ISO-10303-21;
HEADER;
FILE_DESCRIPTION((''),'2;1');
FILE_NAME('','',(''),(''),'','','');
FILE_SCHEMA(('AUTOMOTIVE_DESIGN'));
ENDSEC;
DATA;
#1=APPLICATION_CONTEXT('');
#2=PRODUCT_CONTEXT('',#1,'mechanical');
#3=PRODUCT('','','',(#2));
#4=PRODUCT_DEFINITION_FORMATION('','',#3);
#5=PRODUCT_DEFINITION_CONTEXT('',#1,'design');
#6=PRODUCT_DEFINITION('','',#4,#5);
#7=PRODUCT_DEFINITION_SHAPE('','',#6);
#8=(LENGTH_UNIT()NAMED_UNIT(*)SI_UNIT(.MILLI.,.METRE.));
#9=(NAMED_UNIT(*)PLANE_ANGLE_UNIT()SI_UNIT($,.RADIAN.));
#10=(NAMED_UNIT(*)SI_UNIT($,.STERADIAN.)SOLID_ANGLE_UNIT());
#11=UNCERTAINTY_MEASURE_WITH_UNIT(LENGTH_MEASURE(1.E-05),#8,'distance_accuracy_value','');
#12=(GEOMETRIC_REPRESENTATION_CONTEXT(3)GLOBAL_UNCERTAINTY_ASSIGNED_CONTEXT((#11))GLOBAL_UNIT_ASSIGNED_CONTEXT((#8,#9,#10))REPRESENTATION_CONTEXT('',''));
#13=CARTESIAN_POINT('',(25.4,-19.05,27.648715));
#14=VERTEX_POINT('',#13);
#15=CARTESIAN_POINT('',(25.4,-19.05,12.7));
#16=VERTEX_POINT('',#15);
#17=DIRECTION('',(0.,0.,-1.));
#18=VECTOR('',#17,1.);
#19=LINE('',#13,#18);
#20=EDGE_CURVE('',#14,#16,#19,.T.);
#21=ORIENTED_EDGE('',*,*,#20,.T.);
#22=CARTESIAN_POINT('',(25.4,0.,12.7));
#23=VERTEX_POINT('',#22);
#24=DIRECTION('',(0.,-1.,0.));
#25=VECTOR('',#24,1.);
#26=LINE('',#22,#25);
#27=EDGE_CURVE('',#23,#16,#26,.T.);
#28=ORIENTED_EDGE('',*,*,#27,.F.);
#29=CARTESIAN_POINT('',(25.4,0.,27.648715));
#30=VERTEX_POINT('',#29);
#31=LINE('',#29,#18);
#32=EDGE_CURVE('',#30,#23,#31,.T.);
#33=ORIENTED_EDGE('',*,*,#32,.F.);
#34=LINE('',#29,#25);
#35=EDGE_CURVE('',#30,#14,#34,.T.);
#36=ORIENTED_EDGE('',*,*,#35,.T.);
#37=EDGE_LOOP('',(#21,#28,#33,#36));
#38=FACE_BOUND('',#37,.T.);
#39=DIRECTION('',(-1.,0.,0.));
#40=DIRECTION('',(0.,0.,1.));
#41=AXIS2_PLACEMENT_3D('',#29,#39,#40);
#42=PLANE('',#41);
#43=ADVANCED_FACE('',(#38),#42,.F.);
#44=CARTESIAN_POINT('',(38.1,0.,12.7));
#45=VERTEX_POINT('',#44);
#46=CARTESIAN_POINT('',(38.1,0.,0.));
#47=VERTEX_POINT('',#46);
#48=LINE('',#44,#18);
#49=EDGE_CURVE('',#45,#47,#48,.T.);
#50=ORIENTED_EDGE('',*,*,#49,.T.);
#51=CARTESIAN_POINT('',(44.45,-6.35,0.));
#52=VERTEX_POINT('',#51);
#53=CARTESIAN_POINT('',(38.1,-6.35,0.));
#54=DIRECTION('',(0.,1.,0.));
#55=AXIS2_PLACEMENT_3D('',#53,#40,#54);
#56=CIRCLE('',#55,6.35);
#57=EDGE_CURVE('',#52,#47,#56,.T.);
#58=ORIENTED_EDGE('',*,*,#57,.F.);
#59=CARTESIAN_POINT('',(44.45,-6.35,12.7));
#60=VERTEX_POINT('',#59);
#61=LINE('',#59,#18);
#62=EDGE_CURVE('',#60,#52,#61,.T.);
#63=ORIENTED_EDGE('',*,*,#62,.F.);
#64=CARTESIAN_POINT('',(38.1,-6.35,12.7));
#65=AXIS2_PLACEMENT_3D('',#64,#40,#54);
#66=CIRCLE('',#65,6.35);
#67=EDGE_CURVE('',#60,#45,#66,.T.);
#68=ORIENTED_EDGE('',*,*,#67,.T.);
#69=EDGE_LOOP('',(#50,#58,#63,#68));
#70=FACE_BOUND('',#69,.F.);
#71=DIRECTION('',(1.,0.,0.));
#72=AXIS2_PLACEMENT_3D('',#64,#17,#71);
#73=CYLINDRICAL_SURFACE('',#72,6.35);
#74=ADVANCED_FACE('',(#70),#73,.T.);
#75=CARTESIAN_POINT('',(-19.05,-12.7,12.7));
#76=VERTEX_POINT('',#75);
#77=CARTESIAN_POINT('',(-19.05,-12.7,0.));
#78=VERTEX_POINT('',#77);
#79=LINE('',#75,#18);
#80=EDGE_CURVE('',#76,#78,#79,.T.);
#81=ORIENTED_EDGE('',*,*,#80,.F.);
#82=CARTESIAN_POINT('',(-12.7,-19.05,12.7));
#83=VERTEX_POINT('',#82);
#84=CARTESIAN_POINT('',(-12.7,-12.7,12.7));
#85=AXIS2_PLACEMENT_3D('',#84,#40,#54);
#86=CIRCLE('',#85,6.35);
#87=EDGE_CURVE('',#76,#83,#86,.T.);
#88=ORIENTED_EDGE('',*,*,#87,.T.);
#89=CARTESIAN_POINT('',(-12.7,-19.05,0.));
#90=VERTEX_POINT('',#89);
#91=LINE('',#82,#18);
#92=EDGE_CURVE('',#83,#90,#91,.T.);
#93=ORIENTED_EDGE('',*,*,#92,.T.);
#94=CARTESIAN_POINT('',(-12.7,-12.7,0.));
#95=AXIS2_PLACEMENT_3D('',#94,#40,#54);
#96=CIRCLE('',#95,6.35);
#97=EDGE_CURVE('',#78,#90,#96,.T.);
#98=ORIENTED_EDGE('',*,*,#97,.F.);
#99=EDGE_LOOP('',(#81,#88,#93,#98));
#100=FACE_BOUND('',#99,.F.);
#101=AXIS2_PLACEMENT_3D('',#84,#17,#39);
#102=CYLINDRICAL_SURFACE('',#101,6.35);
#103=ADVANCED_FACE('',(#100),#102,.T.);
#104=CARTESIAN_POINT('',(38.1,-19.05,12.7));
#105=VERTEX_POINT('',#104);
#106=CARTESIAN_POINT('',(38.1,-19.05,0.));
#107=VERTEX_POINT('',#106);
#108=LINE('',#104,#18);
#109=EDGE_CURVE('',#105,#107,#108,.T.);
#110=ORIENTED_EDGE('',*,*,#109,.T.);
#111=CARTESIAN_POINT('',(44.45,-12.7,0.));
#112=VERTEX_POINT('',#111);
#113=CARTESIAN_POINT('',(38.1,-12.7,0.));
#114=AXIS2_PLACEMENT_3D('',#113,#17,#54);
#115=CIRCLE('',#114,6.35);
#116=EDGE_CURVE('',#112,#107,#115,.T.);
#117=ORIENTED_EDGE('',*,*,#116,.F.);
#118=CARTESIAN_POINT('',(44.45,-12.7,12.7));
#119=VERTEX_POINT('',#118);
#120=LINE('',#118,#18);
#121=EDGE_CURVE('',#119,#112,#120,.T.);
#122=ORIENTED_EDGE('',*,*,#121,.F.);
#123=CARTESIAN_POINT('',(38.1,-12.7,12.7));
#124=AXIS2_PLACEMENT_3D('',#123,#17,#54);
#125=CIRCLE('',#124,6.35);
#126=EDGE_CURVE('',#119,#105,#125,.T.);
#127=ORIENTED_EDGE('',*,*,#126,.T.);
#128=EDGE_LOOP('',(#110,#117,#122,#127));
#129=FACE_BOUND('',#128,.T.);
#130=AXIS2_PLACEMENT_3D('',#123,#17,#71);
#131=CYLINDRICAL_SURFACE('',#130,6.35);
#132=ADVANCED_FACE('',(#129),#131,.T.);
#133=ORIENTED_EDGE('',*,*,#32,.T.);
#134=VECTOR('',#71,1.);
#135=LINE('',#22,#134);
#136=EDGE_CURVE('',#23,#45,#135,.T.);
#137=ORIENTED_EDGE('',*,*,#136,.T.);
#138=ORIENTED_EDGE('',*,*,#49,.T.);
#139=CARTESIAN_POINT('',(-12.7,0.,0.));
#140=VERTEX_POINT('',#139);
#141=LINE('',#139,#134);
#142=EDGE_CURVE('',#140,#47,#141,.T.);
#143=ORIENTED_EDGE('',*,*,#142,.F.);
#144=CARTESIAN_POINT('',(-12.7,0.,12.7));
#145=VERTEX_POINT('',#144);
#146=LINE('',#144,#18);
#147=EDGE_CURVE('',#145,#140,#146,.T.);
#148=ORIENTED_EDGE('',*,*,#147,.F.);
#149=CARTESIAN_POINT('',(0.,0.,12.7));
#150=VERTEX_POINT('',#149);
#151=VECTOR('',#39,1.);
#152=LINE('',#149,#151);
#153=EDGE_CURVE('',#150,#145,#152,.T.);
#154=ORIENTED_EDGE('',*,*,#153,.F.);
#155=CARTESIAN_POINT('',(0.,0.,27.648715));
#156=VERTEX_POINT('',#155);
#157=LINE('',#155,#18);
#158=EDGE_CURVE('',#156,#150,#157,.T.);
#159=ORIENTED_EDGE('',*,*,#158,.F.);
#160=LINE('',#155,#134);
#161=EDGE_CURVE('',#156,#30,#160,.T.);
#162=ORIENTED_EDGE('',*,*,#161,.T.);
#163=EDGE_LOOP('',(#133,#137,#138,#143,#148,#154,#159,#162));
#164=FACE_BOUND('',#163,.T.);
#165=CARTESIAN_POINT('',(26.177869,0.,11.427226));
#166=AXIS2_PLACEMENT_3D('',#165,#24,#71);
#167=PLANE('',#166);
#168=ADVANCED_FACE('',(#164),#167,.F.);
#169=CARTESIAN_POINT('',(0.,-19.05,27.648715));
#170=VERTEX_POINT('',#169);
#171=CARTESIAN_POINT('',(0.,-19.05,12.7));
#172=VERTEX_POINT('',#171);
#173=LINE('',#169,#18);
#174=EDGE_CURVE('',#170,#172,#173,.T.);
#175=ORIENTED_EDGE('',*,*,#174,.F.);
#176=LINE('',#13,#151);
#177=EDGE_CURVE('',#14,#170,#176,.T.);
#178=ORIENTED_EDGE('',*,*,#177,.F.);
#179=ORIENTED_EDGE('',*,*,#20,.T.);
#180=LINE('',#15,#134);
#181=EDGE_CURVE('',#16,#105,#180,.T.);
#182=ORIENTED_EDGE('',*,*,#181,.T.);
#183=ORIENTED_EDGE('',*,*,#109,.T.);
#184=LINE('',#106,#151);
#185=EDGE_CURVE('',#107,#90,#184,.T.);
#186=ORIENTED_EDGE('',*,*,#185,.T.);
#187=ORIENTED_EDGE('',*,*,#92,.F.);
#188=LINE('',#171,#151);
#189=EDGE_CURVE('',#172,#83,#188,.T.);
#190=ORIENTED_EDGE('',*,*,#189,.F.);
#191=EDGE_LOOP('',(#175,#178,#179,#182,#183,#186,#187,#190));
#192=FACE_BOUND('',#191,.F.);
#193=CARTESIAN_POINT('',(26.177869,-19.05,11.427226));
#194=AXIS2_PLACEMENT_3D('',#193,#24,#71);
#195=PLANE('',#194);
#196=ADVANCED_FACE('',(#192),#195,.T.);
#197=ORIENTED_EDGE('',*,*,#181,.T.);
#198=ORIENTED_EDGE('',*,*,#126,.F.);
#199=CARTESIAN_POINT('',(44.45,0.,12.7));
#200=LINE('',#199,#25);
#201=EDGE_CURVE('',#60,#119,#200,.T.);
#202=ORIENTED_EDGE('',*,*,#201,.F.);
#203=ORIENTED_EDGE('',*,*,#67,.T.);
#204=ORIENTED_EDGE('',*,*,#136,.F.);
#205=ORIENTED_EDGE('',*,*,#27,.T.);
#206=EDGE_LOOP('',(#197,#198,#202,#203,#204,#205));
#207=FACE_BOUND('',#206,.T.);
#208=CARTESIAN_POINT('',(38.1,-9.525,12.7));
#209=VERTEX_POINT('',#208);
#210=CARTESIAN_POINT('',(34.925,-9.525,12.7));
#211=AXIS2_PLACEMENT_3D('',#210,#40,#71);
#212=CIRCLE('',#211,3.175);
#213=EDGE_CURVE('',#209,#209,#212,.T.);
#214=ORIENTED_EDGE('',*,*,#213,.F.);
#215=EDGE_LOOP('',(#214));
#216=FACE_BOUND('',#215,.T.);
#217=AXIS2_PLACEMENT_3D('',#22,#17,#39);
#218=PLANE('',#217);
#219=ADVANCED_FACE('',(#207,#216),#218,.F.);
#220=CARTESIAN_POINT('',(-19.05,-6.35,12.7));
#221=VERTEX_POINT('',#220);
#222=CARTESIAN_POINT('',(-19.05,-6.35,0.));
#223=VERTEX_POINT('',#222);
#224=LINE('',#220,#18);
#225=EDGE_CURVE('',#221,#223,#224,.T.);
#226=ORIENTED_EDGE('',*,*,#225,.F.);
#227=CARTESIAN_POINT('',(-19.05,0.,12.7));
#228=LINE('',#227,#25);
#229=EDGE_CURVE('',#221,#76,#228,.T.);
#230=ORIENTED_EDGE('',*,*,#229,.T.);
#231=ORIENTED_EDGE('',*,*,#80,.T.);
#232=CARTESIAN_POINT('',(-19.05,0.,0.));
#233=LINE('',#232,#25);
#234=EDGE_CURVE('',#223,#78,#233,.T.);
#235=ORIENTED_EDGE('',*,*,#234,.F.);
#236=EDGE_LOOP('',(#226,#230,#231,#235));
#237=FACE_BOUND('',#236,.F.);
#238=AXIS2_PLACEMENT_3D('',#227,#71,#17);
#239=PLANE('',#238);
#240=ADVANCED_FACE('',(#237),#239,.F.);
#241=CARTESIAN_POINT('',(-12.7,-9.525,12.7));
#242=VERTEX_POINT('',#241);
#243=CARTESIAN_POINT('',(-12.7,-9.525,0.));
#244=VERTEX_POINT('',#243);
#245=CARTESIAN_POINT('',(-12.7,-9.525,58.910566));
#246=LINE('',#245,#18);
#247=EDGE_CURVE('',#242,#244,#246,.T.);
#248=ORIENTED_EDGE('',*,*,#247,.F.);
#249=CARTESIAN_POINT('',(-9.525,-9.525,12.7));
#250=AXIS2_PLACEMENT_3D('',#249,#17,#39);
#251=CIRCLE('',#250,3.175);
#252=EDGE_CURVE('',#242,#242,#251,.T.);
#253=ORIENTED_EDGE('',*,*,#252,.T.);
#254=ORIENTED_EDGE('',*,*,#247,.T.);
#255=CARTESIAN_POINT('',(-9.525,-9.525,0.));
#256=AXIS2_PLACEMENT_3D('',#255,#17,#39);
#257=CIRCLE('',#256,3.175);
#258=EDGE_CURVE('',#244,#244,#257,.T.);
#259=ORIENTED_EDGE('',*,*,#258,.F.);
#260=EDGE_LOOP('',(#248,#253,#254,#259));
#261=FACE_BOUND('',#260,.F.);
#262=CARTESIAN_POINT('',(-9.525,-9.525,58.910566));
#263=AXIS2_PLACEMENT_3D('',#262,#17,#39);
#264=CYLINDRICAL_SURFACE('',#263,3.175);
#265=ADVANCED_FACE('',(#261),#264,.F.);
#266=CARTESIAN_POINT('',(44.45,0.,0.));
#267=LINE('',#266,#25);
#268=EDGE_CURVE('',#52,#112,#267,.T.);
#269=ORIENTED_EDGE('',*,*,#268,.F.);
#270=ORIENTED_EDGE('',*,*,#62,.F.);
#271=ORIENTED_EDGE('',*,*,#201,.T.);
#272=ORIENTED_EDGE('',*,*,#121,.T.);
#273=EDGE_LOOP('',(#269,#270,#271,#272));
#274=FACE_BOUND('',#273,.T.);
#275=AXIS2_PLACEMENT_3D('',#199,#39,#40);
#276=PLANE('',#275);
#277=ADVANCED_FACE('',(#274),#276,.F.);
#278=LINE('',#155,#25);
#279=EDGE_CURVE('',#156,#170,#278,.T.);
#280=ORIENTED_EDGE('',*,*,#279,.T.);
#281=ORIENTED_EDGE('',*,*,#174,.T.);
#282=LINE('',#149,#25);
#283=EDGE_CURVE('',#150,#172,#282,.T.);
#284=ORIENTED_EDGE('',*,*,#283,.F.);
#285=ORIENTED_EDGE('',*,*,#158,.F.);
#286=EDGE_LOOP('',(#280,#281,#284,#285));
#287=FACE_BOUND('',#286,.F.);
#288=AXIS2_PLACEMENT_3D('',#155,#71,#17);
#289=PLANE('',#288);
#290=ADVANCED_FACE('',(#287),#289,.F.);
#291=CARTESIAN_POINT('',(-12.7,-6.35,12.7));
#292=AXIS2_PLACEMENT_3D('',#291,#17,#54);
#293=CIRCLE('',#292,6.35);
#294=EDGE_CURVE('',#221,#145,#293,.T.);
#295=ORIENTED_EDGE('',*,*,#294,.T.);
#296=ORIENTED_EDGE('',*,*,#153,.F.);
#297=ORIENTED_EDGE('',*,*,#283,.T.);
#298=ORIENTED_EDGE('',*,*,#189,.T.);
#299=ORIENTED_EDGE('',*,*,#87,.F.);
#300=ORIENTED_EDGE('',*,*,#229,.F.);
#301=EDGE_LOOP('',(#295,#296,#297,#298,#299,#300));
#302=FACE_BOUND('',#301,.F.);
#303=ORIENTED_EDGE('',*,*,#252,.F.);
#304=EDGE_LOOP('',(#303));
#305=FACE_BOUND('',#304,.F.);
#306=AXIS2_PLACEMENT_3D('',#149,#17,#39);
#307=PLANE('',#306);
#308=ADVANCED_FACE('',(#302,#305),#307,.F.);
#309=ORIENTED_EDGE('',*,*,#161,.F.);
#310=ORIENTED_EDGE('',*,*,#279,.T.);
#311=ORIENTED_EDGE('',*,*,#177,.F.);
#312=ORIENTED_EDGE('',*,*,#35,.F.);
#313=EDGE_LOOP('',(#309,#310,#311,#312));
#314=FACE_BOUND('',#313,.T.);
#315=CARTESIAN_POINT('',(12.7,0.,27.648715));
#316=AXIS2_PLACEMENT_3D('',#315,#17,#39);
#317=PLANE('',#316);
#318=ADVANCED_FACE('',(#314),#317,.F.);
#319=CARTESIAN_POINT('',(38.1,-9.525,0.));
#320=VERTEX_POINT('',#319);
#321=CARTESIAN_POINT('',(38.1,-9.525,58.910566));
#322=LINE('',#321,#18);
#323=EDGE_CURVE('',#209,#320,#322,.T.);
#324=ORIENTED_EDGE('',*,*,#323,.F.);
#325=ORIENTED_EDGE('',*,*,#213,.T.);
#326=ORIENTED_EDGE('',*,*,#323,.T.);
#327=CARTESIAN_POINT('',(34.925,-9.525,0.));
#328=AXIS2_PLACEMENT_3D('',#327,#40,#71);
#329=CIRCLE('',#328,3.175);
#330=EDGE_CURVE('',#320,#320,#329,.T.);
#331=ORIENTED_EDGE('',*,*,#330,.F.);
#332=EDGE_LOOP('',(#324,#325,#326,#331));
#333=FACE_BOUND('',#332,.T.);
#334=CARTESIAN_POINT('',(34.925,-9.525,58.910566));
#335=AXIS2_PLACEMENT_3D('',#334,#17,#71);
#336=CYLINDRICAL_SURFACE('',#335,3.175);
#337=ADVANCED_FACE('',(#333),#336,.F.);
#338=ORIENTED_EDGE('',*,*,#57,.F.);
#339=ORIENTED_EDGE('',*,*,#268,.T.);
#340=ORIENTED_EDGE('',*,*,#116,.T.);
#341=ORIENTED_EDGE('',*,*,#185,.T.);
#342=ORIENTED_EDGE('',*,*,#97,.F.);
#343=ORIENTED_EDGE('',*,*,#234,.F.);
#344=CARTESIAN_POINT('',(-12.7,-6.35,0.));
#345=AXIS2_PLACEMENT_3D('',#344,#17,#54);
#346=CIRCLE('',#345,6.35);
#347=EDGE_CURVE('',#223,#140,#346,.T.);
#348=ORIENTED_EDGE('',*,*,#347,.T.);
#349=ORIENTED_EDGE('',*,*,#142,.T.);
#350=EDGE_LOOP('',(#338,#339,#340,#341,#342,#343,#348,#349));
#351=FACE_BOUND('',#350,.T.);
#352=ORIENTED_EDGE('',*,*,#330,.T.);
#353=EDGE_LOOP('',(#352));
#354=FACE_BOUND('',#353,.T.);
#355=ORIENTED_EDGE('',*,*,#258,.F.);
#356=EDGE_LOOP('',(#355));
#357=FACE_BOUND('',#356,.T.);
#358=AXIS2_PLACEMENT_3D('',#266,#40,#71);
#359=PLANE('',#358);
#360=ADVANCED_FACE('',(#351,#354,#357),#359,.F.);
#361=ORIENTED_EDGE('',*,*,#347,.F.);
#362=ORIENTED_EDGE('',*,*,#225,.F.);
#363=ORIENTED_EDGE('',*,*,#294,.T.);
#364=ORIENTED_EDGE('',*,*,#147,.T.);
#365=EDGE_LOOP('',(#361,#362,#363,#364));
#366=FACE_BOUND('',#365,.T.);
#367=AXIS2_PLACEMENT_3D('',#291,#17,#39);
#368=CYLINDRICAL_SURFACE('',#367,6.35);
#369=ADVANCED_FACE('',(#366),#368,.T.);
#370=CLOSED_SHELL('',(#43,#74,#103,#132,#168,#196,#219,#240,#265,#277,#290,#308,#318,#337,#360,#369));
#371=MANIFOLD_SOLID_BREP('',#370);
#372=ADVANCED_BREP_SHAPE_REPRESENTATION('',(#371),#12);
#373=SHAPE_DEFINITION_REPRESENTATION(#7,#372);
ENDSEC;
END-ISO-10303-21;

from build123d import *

# Parameters (mm, degrees)
F1_DEPTH = 19.05
F3_D     = 6.35
F4_R     = 6.35


with BuildPart() as f1:
    # F0 (on Front) → F1 (new body)
    with BuildSketch(Plane.XZ):
        Polygon((-19.05, 0), (0, 0), (12.7, 0), (12.7, 27.648715), (0, 27.648715), (0, 12.7), (-19.05, 12.7), align=None)
    extrude(amount=F1_DEPTH)

    # F3 (through all)
    with Locations(Plane.XY.offset(12.7)):
        with Locations((-9.525, -9.525)):
            Hole(F3_D / 2)

    # F4
    f4_edges = [f1.edges().sort_by_distance(p)[0] for p in [
        (-19.05, 0, 6.35),
        (-19.05, -19.05, 6.35),
    ]]
    fillet(f4_edges, radius=F4_R)

    # F5: F1 across face


with BuildPart() as f1_1:
    add(f1.part)
    add(f1.part.mirror(Plane(origin=(12.7, -9.525, 13.824358), x_dir=(0, 1, 0), z_dir=(1, 0, 0))))


solid = f1_1.part
